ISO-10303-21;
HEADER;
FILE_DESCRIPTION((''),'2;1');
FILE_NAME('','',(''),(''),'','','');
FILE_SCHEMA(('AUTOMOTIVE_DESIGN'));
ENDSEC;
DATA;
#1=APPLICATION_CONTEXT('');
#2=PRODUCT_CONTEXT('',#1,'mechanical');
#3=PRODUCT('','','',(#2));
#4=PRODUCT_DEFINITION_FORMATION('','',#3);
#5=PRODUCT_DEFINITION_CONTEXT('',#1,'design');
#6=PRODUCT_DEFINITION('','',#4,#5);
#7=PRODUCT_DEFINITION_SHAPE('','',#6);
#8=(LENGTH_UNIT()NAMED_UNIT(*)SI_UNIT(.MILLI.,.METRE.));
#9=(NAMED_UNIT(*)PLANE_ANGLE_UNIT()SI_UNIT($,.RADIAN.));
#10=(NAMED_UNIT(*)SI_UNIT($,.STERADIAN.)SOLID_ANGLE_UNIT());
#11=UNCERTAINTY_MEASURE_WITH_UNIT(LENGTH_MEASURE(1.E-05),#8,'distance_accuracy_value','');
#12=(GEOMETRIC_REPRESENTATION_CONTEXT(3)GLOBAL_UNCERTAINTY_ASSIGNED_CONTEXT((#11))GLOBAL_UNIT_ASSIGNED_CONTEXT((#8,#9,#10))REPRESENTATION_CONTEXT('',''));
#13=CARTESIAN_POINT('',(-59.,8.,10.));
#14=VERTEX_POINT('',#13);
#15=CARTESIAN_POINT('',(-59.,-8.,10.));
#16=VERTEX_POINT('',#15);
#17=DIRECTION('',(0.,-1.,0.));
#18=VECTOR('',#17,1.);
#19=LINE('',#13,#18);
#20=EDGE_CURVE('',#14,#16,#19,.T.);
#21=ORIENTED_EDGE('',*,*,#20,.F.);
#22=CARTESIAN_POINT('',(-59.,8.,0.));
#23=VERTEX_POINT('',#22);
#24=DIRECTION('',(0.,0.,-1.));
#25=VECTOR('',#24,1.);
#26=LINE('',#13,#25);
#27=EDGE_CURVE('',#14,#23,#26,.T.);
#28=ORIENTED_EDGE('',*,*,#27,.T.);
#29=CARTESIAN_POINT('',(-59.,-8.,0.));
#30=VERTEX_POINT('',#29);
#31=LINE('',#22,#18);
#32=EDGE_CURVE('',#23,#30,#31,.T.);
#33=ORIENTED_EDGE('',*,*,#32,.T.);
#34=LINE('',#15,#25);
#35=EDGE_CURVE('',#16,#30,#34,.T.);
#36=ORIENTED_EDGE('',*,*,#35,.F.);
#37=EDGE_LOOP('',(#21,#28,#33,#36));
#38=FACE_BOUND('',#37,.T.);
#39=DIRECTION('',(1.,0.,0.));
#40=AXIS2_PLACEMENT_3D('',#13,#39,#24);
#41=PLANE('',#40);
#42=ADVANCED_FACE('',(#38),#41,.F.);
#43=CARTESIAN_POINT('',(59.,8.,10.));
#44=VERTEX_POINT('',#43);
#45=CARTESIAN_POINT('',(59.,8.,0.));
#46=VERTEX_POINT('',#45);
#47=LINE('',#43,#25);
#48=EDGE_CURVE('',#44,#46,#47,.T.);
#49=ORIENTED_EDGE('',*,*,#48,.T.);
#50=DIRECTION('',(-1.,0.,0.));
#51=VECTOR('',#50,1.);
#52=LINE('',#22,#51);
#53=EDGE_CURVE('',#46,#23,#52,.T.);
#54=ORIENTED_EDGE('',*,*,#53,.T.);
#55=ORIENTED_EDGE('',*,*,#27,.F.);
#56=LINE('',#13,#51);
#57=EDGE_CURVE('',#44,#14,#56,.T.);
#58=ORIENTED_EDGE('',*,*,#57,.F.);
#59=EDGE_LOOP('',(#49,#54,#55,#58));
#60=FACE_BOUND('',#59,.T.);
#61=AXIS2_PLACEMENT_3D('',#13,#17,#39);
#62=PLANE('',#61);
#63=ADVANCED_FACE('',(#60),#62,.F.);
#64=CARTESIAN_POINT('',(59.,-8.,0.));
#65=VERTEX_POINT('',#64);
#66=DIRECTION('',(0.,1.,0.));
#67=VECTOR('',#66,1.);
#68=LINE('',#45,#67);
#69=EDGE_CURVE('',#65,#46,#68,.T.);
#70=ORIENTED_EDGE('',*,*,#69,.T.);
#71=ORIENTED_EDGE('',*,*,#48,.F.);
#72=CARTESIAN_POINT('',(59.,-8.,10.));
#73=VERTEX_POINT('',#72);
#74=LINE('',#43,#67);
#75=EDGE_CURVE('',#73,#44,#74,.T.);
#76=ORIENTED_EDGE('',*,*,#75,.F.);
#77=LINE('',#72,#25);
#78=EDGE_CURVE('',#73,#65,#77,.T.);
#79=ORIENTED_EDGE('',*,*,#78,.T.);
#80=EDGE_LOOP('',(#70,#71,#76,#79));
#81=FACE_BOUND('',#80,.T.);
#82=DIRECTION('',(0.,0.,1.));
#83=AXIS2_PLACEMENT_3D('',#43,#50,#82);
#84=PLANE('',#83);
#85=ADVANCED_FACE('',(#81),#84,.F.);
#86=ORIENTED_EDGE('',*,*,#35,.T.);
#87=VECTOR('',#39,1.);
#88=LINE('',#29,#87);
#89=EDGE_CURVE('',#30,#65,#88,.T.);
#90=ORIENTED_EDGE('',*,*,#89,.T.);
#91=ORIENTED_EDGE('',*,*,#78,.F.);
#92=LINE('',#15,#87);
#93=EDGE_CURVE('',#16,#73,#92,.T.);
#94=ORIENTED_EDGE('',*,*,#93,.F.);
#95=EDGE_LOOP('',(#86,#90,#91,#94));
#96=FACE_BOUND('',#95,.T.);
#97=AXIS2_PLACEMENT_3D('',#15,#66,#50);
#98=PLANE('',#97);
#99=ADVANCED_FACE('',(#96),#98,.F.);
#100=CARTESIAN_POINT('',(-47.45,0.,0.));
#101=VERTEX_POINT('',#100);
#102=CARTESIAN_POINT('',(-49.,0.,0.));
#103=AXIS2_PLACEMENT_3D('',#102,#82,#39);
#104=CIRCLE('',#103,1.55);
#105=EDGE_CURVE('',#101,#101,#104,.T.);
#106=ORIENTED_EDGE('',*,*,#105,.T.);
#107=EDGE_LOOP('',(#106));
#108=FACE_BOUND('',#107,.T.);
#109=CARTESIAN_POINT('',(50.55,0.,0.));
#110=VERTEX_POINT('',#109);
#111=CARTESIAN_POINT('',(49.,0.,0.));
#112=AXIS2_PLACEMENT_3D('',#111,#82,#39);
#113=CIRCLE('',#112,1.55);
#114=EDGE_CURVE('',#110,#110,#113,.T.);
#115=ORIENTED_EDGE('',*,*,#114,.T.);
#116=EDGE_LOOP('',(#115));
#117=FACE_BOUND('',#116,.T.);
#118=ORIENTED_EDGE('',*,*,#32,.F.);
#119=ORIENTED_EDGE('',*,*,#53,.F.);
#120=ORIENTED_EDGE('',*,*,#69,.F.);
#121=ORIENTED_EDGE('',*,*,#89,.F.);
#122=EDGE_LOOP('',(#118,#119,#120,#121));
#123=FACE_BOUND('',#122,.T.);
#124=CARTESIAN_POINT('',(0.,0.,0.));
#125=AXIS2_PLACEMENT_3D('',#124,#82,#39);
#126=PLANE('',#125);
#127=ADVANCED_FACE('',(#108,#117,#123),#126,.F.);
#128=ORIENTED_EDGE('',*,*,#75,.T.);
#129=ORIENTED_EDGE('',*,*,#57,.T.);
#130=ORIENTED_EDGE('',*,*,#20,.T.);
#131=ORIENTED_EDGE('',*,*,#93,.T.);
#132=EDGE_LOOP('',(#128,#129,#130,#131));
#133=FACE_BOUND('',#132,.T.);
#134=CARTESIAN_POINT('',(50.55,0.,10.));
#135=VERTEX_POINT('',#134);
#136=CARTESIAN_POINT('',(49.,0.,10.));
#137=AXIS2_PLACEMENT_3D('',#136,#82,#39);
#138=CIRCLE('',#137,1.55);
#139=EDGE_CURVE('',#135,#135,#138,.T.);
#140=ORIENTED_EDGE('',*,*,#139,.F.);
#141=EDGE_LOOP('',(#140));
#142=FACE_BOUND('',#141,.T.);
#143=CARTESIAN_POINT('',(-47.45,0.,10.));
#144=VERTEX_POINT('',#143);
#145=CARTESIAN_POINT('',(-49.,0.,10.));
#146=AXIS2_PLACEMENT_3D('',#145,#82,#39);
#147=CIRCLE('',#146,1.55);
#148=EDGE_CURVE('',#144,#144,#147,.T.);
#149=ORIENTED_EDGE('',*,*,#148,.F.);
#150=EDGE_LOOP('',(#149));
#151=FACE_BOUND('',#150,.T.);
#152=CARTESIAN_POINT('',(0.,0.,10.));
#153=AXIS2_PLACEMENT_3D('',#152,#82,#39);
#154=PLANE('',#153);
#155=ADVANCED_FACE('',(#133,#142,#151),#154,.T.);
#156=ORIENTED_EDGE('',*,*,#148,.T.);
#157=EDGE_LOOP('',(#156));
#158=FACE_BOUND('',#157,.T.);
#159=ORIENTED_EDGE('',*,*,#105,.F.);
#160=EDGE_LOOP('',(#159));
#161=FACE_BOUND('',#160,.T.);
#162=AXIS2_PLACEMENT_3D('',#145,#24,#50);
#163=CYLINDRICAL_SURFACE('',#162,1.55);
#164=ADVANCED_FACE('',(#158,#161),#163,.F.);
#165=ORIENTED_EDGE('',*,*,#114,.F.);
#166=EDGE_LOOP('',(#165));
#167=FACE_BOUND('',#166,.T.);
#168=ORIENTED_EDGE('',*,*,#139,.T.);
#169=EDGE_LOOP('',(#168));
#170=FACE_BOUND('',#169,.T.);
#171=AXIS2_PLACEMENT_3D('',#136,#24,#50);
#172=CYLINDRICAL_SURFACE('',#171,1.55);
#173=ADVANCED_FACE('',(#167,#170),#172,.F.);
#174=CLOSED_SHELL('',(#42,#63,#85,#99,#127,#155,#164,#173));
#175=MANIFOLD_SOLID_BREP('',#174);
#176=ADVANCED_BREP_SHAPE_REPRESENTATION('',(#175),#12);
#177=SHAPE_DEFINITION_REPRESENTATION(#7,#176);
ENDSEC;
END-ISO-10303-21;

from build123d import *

# Parameters (mm, degrees)
SKETCH1_W           = 118
SKETCH1_H           = 16
SKETCH1_R           = 1.55
BOSS_EXTRUDE1_DEPTH = 10


with BuildPart() as part:
    # Sketch1 → Boss-Extrude1 (new body)
    with BuildSketch(Plane.XY):
        Rectangle(SKETCH1_W, SKETCH1_H)
        with Locations((-49, 0)):
            Circle(SKETCH1_R, mode=Mode.SUBTRACT)
        with Locations((49, 0)):
            Circle(SKETCH1_R, mode=Mode.SUBTRACT)
    extrude(amount=BOSS_EXTRUDE1_DEPTH)


solid = part.part
